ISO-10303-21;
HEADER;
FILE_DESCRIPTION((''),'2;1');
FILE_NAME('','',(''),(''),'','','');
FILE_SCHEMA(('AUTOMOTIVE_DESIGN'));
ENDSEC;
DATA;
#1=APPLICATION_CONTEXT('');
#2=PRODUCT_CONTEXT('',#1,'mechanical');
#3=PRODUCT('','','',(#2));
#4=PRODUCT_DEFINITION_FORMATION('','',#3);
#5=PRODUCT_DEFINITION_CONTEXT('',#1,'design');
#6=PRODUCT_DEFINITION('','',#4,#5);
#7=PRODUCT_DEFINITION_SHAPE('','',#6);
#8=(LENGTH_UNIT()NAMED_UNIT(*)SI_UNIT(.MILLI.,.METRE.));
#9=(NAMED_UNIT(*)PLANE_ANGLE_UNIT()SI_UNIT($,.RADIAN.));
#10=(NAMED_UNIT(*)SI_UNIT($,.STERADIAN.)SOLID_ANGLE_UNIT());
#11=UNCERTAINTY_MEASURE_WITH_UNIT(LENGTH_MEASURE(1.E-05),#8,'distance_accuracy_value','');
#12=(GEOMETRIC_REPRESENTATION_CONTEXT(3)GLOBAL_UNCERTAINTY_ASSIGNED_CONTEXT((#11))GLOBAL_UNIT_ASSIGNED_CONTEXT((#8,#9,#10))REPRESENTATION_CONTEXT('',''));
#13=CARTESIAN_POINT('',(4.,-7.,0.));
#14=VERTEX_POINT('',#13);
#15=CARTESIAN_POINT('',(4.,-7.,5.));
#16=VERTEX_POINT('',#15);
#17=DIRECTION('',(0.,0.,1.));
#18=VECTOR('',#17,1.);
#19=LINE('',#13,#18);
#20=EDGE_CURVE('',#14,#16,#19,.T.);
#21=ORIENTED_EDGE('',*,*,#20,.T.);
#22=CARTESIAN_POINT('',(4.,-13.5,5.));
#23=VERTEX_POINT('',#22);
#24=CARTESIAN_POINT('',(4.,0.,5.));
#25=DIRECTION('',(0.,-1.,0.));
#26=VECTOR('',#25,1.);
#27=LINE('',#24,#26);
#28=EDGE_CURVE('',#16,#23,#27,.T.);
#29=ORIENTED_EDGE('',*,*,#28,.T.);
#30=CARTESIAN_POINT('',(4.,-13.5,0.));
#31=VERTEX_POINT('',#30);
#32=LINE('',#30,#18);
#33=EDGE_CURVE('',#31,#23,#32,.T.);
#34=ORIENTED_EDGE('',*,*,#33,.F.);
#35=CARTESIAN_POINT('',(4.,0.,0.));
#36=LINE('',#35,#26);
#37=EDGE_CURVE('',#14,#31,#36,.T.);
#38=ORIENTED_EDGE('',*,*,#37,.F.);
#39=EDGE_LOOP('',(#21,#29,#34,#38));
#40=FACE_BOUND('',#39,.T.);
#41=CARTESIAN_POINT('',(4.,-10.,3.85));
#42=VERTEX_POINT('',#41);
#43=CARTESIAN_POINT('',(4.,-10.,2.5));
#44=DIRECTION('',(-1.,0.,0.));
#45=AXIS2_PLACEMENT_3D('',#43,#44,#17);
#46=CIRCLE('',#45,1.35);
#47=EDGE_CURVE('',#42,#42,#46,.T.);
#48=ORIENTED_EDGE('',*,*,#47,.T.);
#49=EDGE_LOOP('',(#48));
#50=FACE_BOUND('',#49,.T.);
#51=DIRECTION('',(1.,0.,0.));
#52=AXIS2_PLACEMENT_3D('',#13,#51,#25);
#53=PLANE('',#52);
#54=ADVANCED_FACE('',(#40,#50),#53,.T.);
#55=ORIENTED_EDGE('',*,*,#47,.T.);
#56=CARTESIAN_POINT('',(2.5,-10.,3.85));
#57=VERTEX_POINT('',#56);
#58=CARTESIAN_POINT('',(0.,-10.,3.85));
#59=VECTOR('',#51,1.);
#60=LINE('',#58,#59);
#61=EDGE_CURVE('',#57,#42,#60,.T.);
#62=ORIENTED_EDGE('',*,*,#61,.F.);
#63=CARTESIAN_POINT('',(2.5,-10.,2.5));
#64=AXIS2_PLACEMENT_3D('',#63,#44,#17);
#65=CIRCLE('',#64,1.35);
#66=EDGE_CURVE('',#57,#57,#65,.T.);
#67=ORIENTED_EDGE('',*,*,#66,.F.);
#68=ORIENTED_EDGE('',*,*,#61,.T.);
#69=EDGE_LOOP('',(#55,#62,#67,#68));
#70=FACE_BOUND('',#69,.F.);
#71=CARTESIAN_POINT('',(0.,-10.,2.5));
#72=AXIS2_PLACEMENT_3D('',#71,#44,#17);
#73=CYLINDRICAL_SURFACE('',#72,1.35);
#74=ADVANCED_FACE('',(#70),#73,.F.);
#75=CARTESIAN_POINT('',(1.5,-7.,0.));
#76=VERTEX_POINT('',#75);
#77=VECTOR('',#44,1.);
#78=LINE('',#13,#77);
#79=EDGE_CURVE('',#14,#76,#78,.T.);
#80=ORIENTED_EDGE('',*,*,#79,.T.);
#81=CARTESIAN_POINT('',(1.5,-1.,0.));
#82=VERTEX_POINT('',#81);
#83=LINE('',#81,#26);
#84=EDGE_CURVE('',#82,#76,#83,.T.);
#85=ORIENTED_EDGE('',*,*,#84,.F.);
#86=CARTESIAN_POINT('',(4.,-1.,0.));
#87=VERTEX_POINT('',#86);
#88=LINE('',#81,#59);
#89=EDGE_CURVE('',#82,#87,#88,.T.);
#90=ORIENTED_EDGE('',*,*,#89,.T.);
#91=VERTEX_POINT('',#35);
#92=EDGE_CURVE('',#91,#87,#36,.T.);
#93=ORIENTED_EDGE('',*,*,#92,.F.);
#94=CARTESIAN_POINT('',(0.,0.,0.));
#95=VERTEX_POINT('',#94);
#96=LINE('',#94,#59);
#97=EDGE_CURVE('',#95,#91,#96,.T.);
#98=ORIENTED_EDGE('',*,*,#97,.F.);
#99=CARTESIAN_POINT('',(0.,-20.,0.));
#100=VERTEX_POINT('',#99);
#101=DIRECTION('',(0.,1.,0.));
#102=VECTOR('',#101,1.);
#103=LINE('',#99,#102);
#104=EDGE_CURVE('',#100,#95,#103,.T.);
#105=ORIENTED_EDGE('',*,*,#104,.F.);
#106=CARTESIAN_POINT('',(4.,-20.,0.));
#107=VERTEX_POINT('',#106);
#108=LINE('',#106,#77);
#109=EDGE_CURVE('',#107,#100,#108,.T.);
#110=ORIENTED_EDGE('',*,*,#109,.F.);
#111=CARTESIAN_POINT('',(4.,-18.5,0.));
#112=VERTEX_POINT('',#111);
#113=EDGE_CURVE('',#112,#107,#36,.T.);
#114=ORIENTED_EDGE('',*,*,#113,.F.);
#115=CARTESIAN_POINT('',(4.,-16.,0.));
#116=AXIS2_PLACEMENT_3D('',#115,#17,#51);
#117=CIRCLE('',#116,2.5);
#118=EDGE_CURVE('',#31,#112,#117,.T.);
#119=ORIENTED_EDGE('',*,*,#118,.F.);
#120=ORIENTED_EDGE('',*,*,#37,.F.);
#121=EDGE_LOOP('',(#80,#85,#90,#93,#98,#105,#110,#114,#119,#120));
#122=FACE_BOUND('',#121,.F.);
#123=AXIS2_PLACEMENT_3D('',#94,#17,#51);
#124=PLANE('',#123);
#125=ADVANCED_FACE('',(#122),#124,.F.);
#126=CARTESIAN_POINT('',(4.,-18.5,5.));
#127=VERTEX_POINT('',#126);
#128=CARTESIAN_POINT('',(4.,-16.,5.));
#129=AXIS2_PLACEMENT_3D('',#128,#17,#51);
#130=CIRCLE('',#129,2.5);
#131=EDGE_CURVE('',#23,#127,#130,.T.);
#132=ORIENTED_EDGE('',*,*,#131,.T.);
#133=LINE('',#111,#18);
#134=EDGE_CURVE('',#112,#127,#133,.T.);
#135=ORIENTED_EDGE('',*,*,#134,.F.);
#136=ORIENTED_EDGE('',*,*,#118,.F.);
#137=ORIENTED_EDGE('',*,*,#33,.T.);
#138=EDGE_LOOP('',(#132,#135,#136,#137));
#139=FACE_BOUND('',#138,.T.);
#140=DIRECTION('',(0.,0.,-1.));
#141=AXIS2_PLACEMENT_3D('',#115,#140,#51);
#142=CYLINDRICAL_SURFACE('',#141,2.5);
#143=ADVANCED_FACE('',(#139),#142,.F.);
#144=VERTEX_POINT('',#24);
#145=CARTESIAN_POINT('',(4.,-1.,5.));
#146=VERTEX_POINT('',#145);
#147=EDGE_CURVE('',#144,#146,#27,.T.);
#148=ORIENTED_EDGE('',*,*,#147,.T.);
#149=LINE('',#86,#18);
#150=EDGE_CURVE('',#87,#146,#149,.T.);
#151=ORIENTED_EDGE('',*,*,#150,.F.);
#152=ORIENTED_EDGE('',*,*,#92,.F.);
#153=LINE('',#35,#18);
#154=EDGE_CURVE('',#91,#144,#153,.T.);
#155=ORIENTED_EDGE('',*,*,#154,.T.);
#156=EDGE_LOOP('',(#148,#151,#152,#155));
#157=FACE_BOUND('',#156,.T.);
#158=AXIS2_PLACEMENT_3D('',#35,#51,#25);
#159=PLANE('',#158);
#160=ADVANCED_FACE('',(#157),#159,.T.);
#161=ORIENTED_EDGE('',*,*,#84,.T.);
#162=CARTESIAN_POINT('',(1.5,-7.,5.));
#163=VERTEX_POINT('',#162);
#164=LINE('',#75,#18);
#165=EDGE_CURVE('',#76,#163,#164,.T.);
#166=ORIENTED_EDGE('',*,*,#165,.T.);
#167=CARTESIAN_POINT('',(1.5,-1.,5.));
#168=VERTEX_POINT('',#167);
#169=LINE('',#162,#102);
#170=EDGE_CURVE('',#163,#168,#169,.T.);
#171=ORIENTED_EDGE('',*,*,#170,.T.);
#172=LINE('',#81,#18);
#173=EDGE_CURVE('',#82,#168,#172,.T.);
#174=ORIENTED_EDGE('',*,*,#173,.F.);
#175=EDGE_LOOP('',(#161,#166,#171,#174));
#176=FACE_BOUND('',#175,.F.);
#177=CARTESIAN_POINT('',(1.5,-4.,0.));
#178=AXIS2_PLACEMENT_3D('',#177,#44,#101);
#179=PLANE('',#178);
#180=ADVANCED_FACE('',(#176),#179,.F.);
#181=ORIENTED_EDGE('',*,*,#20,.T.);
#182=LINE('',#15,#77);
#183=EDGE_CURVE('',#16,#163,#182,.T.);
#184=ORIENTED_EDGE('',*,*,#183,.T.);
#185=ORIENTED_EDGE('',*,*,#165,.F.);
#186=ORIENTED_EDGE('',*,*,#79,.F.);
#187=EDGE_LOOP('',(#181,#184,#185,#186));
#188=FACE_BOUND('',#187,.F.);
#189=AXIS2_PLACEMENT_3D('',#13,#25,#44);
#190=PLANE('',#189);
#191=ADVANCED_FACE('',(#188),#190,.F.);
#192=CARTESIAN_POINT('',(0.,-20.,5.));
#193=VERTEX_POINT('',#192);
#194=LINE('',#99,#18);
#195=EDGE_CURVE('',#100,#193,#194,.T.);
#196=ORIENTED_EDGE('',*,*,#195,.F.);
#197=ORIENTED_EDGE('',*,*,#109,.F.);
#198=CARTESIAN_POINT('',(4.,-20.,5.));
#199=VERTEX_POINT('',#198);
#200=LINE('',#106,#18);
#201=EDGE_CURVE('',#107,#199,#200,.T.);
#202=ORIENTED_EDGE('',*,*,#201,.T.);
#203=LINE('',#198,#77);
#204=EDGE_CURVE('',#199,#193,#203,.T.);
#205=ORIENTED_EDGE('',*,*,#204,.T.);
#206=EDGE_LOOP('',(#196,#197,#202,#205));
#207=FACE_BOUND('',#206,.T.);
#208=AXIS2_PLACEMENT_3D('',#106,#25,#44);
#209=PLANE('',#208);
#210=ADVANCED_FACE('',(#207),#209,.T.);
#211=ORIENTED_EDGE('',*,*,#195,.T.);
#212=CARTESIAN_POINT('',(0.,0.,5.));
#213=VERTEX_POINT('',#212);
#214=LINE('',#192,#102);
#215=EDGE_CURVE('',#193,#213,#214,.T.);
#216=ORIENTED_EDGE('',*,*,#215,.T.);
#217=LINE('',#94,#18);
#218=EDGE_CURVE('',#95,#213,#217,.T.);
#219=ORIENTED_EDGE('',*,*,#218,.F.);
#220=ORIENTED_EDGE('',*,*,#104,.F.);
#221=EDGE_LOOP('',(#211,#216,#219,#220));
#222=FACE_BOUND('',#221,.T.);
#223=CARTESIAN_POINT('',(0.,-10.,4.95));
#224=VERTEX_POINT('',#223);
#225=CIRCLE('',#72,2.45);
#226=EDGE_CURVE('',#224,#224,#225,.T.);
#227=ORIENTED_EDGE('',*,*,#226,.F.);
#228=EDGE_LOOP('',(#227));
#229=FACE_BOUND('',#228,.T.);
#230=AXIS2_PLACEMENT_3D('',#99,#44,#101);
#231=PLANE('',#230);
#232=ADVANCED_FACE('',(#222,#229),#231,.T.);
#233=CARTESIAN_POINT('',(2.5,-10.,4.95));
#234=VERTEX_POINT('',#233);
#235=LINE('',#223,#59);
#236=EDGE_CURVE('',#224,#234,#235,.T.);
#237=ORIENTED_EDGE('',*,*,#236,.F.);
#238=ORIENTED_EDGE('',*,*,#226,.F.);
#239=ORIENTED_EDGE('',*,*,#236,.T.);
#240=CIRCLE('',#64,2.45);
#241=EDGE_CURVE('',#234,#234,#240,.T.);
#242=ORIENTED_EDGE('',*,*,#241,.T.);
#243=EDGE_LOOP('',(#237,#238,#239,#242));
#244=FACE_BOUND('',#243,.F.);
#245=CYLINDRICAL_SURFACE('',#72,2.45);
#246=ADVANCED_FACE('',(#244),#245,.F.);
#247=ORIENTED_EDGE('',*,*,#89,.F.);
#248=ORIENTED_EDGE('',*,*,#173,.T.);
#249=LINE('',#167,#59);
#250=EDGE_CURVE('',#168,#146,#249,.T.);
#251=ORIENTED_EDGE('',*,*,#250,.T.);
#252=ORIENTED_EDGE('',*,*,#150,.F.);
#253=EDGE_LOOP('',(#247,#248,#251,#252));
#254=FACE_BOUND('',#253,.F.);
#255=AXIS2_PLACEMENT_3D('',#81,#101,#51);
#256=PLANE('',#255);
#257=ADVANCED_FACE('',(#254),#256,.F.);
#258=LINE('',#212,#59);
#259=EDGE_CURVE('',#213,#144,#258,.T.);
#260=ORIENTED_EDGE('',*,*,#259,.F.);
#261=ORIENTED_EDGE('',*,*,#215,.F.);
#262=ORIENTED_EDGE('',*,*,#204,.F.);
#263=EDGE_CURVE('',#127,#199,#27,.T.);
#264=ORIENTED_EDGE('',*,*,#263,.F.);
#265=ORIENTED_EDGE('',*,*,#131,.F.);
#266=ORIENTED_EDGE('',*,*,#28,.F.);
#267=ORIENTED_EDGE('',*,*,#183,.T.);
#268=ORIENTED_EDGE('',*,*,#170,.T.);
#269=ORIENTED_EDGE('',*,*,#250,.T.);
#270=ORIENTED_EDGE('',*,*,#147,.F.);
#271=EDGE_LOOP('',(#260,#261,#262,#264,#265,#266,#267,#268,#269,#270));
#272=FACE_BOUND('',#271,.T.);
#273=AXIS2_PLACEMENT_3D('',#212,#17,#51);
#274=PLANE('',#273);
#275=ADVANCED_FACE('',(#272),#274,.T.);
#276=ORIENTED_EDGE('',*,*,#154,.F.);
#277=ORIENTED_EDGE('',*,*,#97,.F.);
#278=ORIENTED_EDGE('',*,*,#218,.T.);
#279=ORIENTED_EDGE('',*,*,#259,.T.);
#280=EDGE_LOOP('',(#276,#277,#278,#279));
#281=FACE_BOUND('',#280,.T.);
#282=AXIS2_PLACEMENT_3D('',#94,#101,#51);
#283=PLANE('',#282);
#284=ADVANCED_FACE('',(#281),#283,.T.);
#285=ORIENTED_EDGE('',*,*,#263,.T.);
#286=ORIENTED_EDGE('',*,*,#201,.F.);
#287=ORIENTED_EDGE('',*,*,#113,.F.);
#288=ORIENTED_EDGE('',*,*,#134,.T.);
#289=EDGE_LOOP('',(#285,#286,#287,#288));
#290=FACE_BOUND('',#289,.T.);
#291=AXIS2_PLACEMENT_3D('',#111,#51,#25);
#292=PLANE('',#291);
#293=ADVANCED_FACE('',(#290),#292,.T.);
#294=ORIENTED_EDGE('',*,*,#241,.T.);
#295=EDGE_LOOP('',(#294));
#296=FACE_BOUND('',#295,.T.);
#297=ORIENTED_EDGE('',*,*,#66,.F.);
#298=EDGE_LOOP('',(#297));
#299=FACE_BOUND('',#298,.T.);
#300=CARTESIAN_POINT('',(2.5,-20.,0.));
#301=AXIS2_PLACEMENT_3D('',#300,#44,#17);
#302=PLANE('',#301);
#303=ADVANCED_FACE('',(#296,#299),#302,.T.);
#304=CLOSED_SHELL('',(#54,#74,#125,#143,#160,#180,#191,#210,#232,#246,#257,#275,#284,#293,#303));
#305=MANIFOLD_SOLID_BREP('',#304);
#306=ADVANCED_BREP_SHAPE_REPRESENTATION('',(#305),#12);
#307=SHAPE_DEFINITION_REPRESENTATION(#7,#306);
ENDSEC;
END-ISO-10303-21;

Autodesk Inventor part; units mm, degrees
ref_plane "YZ Plane" through (0, 0, 0) normal (1, 0, 0) x (0, 1, 0)
ref_plane "XZ Plane" through (0, 0, 0) normal (0, 1, 0) x (-1, 0, 0)
ref_plane "XY Plane" through (0, 0, 0) normal (0, 0, 1) x (1, 0, 0)
sketch "Sketch1" plane through (0, 0, 0) normal (0, 0, 1) x (1, 0, 0)
  line L0 (0, 0) -> (4, 0)
  line L1 (4, 0) -> (4, -20)
  line L2 (4, -20) -> (0, -20)
  line L3 (0, -20) -> (0, 0)
  circle A0 centre (4, -4) radius 2.5
  circle A1 centre (4, -16) radius 2.5
  line L4 (1.5, -4) -> (1.5, -7)
  line L5 (1.5, -7) -> (1.5, -1)
  line L6 (4, -7) -> (1.5, -7)
  line L7 (1.5, -1) -> (4, -1)
  point P0 (4, -18.5)
  point P1 (4, -13.5)
  dimension "d2" = 5
  dimension "d0" = 20
  dimension "d1" = 4
  dimension "d3" = 5
  dimension "d4" = 4
  dimension "d5" = 4
  dimension "d6" = 3
  dimension "d7" = 3
extrude "Extrusion1" add sketch "Sketch1" along normal blind 5 contours L0 L1 L7 L5 L4 L6 A1 L2 L3
sketch "Sketch3" plane through (0, -20, 0) normal (-1, 0, 0) x (0, 0, 1)
  circle A0 centre (2.5, 10) radius 1.35
  line L0 (0, 0) -> (5, 0) projected
  line L1 (0, 20) -> (0, 0) projected
  dimension "d10" = 10
  dimension "d11" = 2.5
  dimension "d12" = 20
  dimension "d13" = 2.7
extrude "Extrusion2" cut sketch "Sketch3" against normal blind 20
sketch "Sketch4" plane through (0, -20, 0) normal (-1, 0, 0) x (0, 0, 1)
  circle A0 centre (2.5, 10) radius 1.35 projected
  circle A1 centre (2.5, 10) radius 2.45
  point P0 (0, 20)
  dimension "d16" = 4.9
extrude "Extrusion3" cut sketch "Sketch4" against normal blind 2.5 contours A0 | A1
equation "\"d1\" = d4"
equation "\"d5\" = d4"
properties part number "POMSliderAxis" material "Acetal Resin, White"
